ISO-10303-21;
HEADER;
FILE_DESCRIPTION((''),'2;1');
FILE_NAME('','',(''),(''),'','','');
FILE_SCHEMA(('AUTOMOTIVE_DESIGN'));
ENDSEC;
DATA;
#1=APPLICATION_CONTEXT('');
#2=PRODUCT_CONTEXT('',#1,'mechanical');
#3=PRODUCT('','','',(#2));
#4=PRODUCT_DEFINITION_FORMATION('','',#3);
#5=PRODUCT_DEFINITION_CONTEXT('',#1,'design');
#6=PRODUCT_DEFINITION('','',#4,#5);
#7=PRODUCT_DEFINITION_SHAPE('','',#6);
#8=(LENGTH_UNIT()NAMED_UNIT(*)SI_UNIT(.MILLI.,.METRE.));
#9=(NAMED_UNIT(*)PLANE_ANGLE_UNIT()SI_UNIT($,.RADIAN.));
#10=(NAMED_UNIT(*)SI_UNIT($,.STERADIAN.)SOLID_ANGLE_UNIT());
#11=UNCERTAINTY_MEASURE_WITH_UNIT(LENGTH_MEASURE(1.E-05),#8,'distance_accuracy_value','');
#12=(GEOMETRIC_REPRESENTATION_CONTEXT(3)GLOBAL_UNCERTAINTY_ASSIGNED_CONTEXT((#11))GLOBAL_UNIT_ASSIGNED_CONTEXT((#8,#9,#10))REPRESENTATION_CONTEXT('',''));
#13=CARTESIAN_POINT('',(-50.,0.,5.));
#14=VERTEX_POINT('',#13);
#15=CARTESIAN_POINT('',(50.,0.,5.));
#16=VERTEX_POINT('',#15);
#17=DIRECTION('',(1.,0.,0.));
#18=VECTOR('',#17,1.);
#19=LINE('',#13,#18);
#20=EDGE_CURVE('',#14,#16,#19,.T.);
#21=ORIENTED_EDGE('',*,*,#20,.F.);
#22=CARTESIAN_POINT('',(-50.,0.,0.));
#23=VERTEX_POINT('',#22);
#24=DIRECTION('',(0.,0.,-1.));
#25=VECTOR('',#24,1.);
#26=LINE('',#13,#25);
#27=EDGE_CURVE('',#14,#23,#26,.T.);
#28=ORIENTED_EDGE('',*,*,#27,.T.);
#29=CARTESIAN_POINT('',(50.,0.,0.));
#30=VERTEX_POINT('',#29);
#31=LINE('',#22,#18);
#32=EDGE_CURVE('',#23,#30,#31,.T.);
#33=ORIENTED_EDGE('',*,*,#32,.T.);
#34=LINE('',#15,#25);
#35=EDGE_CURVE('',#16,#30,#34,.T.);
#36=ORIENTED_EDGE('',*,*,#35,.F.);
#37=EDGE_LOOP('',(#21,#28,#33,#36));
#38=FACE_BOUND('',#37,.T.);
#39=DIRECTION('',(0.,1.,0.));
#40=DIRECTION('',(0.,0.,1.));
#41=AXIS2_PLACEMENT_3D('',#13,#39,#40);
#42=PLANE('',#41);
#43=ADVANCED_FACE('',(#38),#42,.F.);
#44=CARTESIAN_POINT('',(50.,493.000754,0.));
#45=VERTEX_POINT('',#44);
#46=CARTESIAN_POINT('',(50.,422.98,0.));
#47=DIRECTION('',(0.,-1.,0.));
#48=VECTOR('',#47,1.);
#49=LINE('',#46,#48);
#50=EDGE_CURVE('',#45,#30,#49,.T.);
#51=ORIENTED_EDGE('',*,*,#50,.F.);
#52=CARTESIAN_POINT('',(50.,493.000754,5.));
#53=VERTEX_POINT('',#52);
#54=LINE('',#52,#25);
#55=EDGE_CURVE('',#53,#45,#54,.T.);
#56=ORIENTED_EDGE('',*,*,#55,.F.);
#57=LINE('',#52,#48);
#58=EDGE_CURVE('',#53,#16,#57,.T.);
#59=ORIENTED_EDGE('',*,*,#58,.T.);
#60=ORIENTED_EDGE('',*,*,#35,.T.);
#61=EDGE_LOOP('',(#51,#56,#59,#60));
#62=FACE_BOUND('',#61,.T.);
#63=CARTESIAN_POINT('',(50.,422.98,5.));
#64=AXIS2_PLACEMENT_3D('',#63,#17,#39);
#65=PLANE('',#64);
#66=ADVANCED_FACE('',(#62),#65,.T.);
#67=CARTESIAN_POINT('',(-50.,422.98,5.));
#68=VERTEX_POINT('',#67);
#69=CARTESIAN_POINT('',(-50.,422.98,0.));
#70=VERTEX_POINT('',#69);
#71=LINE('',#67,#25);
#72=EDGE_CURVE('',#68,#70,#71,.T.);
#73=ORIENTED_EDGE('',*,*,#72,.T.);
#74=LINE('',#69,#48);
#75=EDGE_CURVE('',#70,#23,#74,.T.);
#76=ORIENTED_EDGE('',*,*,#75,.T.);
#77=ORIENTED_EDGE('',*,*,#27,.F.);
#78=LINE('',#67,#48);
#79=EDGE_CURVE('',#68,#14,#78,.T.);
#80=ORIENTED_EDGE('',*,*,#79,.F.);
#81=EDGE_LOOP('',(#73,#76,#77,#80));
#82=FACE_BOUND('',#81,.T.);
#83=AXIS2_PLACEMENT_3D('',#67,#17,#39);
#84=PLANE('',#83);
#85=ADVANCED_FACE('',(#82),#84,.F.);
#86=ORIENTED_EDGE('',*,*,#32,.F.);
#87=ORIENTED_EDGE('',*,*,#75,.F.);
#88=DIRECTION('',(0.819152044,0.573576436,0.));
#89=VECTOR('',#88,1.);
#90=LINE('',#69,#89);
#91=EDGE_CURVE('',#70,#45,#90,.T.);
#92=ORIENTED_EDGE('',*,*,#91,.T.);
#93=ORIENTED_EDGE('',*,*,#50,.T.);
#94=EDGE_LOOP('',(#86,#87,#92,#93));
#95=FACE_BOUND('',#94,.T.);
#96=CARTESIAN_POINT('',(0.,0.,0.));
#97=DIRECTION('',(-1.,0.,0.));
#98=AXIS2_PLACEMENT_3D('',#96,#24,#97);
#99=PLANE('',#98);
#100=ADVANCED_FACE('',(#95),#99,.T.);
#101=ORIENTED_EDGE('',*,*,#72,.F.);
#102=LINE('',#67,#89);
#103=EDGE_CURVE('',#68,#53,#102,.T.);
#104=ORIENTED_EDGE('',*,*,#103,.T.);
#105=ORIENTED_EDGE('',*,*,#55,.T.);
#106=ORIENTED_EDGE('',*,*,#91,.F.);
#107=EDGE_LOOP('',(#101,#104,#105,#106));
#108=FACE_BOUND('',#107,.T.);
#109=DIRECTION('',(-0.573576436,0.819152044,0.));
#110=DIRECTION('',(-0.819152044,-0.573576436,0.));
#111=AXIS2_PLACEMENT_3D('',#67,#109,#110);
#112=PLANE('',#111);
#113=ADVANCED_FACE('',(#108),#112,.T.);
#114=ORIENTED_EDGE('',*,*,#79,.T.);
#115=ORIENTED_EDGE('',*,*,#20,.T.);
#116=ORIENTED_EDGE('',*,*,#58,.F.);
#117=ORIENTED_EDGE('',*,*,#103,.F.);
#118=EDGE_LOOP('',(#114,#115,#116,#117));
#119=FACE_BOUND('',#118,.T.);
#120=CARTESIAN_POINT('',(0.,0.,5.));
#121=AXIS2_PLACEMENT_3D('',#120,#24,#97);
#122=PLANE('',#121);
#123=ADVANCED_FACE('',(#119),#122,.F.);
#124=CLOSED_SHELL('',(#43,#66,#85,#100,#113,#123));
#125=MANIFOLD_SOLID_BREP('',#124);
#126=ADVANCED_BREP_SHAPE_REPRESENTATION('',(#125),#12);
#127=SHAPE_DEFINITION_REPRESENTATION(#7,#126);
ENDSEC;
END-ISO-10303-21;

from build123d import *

# Parameters (mm, degrees)
BOSS_EXTRUDE1_DEPTH = 5


with BuildPart() as part:
    # Sketch2 → Boss-Extrude1 (new body)
    with BuildSketch(Plane.XY):
        Polygon((-50, 422.98), (-50, 0), (50, 0), (50, 422.98), (50, 493.000753821), align=None)
    extrude(amount=BOSS_EXTRUDE1_DEPTH)


solid = part.part
